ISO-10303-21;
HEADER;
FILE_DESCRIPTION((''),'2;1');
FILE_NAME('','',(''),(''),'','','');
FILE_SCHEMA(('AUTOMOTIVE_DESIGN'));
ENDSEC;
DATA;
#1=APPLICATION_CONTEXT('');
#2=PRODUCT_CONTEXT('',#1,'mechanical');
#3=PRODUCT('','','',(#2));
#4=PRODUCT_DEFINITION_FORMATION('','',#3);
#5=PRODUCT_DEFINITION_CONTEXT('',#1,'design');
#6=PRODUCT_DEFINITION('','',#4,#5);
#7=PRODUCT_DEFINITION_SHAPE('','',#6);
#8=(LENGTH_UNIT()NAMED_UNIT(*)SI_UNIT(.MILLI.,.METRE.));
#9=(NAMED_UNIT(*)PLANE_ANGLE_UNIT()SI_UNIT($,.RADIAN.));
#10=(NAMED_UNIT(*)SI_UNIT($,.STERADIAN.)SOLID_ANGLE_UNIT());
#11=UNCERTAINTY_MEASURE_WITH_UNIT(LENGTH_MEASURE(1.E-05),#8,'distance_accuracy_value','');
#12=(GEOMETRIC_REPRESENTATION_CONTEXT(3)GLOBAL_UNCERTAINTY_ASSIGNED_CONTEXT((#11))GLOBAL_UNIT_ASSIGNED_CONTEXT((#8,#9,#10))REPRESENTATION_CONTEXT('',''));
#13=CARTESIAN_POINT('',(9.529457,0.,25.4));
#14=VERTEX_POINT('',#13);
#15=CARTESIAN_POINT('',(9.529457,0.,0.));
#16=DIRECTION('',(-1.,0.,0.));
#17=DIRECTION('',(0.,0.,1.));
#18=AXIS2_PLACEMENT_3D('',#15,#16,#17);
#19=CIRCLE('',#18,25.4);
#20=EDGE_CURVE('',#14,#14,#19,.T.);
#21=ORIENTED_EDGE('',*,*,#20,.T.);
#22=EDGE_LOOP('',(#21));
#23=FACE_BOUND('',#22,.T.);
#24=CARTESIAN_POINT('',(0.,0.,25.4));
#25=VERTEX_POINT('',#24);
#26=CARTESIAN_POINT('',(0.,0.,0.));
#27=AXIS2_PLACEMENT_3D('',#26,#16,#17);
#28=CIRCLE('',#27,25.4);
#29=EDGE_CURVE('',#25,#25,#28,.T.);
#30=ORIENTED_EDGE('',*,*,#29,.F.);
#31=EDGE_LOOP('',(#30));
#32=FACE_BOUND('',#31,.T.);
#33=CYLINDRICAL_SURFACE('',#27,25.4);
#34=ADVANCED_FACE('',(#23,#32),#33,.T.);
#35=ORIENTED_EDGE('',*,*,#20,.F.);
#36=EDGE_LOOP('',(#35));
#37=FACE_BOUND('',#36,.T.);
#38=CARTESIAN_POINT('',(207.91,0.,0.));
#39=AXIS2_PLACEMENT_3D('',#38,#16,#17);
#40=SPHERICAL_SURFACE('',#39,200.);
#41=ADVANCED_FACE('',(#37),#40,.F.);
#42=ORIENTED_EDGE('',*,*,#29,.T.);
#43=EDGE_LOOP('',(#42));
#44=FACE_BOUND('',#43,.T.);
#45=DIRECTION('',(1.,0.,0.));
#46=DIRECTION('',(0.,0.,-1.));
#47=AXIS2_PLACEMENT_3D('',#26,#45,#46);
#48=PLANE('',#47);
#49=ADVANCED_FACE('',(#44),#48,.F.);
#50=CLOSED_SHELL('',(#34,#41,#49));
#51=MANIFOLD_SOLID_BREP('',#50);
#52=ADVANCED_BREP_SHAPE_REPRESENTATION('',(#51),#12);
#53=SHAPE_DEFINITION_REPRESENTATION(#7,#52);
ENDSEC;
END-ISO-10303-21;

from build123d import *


with BuildPart() as part:
    # 草图1 → 旋转1 (revolve)
    with BuildSketch(Plane(origin=(0, 0, 0), x_dir=(1, 0, 0), z_dir=(0, 1, 0)), mode=Mode.PRIVATE) as revolve_1_sk:
        with BuildLine():
            Line((0, 0), (7.91, 0))
            ThreePointArc((7.91, 0), (8.315274769, 12.725787202), (9.529456599, 25.4))
            Line((9.529456599, 25.4), (0, 25.4))
            Line((0, 25.4), (0, 0))
        make_face()
    revolve(revolve_1_sk.sketch.rotate(Axis((0, 0, 0), (1, 0, 0)), 180), axis=Axis((0, 0, 0), (1, 0, 0)))  # turned: the seam where the file's is


solid = part.part
